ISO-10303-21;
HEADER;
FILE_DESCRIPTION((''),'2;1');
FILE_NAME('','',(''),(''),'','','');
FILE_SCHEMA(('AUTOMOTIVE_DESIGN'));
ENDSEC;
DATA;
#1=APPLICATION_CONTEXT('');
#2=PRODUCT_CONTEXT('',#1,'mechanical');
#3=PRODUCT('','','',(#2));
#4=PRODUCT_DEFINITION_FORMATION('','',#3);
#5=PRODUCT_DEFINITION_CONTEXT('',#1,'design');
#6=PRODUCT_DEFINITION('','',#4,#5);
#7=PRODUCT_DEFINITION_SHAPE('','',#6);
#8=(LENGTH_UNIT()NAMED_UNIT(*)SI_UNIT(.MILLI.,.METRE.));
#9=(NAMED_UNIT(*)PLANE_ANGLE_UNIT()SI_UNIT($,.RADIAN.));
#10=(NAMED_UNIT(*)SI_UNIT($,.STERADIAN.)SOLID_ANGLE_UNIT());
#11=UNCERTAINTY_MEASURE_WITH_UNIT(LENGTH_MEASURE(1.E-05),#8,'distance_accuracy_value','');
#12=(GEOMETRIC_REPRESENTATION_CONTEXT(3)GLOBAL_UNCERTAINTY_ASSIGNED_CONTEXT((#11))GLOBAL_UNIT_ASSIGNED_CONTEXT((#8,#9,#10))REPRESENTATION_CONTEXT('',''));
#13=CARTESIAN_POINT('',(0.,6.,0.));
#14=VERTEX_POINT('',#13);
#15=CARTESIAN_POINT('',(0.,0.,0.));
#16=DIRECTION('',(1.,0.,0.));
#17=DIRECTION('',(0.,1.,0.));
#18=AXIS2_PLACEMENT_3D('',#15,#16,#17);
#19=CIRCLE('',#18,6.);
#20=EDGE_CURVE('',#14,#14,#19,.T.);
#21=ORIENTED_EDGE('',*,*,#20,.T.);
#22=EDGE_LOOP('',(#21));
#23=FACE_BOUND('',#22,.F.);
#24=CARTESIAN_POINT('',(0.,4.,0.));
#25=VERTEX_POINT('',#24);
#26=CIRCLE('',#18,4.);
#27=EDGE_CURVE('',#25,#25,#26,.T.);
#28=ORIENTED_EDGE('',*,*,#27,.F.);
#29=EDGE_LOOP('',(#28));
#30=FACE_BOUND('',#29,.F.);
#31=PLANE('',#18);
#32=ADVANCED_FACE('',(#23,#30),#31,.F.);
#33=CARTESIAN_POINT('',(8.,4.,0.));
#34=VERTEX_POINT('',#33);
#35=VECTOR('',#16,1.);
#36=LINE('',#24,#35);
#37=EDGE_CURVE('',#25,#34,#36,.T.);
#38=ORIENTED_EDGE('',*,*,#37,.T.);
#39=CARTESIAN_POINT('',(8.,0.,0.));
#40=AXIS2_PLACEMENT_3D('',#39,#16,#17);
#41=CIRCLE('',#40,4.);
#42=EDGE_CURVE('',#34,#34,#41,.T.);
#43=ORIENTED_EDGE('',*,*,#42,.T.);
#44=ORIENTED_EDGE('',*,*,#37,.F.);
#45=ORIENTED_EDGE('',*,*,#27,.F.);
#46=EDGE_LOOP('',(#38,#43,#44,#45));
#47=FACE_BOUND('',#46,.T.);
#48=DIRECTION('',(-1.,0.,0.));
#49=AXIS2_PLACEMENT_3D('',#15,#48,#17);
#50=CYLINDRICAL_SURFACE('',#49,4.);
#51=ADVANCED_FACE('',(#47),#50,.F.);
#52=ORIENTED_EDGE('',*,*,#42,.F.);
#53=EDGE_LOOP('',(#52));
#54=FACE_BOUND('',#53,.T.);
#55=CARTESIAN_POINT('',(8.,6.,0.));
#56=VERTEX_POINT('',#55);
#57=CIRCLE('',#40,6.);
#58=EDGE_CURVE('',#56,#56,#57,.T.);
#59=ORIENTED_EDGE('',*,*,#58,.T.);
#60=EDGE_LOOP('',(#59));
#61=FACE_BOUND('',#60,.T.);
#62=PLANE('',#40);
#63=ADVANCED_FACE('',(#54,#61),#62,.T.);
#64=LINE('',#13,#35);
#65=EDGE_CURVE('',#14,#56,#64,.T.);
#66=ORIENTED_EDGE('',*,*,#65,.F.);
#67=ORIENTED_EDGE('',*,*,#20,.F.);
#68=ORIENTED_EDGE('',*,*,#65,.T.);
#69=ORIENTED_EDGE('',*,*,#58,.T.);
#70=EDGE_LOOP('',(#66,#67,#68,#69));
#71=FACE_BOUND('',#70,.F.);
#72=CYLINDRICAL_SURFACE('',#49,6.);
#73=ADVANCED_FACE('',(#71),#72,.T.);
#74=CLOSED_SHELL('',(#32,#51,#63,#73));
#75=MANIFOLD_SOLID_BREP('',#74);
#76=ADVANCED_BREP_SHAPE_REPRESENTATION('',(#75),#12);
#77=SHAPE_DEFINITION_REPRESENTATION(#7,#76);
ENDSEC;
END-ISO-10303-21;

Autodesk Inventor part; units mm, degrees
ref_plane "YZ Plane" through (0, 0, 0) normal (1, 0, 0) x (0, 1, 0)
ref_plane "XZ Plane" through (0, 0, 0) normal (0, 1, 0) x (-1, 0, 0)
ref_plane "XY Plane" through (0, 0, 0) normal (0, 0, 1) x (1, 0, 0)
sketch "Sketch1" plane through (0, 0, 0) normal (1, 0, 0) x (0, 1, 0)
  circle A0 centre (0, 0) radius 4
  circle A1 centre (0, 0) radius 6
  dimension "d0" = 8
  dimension "d1" = 12
extrude "Extrusion1" add sketch "Sketch1" along normal blind 8
properties part number "8x7mm_spacer"
